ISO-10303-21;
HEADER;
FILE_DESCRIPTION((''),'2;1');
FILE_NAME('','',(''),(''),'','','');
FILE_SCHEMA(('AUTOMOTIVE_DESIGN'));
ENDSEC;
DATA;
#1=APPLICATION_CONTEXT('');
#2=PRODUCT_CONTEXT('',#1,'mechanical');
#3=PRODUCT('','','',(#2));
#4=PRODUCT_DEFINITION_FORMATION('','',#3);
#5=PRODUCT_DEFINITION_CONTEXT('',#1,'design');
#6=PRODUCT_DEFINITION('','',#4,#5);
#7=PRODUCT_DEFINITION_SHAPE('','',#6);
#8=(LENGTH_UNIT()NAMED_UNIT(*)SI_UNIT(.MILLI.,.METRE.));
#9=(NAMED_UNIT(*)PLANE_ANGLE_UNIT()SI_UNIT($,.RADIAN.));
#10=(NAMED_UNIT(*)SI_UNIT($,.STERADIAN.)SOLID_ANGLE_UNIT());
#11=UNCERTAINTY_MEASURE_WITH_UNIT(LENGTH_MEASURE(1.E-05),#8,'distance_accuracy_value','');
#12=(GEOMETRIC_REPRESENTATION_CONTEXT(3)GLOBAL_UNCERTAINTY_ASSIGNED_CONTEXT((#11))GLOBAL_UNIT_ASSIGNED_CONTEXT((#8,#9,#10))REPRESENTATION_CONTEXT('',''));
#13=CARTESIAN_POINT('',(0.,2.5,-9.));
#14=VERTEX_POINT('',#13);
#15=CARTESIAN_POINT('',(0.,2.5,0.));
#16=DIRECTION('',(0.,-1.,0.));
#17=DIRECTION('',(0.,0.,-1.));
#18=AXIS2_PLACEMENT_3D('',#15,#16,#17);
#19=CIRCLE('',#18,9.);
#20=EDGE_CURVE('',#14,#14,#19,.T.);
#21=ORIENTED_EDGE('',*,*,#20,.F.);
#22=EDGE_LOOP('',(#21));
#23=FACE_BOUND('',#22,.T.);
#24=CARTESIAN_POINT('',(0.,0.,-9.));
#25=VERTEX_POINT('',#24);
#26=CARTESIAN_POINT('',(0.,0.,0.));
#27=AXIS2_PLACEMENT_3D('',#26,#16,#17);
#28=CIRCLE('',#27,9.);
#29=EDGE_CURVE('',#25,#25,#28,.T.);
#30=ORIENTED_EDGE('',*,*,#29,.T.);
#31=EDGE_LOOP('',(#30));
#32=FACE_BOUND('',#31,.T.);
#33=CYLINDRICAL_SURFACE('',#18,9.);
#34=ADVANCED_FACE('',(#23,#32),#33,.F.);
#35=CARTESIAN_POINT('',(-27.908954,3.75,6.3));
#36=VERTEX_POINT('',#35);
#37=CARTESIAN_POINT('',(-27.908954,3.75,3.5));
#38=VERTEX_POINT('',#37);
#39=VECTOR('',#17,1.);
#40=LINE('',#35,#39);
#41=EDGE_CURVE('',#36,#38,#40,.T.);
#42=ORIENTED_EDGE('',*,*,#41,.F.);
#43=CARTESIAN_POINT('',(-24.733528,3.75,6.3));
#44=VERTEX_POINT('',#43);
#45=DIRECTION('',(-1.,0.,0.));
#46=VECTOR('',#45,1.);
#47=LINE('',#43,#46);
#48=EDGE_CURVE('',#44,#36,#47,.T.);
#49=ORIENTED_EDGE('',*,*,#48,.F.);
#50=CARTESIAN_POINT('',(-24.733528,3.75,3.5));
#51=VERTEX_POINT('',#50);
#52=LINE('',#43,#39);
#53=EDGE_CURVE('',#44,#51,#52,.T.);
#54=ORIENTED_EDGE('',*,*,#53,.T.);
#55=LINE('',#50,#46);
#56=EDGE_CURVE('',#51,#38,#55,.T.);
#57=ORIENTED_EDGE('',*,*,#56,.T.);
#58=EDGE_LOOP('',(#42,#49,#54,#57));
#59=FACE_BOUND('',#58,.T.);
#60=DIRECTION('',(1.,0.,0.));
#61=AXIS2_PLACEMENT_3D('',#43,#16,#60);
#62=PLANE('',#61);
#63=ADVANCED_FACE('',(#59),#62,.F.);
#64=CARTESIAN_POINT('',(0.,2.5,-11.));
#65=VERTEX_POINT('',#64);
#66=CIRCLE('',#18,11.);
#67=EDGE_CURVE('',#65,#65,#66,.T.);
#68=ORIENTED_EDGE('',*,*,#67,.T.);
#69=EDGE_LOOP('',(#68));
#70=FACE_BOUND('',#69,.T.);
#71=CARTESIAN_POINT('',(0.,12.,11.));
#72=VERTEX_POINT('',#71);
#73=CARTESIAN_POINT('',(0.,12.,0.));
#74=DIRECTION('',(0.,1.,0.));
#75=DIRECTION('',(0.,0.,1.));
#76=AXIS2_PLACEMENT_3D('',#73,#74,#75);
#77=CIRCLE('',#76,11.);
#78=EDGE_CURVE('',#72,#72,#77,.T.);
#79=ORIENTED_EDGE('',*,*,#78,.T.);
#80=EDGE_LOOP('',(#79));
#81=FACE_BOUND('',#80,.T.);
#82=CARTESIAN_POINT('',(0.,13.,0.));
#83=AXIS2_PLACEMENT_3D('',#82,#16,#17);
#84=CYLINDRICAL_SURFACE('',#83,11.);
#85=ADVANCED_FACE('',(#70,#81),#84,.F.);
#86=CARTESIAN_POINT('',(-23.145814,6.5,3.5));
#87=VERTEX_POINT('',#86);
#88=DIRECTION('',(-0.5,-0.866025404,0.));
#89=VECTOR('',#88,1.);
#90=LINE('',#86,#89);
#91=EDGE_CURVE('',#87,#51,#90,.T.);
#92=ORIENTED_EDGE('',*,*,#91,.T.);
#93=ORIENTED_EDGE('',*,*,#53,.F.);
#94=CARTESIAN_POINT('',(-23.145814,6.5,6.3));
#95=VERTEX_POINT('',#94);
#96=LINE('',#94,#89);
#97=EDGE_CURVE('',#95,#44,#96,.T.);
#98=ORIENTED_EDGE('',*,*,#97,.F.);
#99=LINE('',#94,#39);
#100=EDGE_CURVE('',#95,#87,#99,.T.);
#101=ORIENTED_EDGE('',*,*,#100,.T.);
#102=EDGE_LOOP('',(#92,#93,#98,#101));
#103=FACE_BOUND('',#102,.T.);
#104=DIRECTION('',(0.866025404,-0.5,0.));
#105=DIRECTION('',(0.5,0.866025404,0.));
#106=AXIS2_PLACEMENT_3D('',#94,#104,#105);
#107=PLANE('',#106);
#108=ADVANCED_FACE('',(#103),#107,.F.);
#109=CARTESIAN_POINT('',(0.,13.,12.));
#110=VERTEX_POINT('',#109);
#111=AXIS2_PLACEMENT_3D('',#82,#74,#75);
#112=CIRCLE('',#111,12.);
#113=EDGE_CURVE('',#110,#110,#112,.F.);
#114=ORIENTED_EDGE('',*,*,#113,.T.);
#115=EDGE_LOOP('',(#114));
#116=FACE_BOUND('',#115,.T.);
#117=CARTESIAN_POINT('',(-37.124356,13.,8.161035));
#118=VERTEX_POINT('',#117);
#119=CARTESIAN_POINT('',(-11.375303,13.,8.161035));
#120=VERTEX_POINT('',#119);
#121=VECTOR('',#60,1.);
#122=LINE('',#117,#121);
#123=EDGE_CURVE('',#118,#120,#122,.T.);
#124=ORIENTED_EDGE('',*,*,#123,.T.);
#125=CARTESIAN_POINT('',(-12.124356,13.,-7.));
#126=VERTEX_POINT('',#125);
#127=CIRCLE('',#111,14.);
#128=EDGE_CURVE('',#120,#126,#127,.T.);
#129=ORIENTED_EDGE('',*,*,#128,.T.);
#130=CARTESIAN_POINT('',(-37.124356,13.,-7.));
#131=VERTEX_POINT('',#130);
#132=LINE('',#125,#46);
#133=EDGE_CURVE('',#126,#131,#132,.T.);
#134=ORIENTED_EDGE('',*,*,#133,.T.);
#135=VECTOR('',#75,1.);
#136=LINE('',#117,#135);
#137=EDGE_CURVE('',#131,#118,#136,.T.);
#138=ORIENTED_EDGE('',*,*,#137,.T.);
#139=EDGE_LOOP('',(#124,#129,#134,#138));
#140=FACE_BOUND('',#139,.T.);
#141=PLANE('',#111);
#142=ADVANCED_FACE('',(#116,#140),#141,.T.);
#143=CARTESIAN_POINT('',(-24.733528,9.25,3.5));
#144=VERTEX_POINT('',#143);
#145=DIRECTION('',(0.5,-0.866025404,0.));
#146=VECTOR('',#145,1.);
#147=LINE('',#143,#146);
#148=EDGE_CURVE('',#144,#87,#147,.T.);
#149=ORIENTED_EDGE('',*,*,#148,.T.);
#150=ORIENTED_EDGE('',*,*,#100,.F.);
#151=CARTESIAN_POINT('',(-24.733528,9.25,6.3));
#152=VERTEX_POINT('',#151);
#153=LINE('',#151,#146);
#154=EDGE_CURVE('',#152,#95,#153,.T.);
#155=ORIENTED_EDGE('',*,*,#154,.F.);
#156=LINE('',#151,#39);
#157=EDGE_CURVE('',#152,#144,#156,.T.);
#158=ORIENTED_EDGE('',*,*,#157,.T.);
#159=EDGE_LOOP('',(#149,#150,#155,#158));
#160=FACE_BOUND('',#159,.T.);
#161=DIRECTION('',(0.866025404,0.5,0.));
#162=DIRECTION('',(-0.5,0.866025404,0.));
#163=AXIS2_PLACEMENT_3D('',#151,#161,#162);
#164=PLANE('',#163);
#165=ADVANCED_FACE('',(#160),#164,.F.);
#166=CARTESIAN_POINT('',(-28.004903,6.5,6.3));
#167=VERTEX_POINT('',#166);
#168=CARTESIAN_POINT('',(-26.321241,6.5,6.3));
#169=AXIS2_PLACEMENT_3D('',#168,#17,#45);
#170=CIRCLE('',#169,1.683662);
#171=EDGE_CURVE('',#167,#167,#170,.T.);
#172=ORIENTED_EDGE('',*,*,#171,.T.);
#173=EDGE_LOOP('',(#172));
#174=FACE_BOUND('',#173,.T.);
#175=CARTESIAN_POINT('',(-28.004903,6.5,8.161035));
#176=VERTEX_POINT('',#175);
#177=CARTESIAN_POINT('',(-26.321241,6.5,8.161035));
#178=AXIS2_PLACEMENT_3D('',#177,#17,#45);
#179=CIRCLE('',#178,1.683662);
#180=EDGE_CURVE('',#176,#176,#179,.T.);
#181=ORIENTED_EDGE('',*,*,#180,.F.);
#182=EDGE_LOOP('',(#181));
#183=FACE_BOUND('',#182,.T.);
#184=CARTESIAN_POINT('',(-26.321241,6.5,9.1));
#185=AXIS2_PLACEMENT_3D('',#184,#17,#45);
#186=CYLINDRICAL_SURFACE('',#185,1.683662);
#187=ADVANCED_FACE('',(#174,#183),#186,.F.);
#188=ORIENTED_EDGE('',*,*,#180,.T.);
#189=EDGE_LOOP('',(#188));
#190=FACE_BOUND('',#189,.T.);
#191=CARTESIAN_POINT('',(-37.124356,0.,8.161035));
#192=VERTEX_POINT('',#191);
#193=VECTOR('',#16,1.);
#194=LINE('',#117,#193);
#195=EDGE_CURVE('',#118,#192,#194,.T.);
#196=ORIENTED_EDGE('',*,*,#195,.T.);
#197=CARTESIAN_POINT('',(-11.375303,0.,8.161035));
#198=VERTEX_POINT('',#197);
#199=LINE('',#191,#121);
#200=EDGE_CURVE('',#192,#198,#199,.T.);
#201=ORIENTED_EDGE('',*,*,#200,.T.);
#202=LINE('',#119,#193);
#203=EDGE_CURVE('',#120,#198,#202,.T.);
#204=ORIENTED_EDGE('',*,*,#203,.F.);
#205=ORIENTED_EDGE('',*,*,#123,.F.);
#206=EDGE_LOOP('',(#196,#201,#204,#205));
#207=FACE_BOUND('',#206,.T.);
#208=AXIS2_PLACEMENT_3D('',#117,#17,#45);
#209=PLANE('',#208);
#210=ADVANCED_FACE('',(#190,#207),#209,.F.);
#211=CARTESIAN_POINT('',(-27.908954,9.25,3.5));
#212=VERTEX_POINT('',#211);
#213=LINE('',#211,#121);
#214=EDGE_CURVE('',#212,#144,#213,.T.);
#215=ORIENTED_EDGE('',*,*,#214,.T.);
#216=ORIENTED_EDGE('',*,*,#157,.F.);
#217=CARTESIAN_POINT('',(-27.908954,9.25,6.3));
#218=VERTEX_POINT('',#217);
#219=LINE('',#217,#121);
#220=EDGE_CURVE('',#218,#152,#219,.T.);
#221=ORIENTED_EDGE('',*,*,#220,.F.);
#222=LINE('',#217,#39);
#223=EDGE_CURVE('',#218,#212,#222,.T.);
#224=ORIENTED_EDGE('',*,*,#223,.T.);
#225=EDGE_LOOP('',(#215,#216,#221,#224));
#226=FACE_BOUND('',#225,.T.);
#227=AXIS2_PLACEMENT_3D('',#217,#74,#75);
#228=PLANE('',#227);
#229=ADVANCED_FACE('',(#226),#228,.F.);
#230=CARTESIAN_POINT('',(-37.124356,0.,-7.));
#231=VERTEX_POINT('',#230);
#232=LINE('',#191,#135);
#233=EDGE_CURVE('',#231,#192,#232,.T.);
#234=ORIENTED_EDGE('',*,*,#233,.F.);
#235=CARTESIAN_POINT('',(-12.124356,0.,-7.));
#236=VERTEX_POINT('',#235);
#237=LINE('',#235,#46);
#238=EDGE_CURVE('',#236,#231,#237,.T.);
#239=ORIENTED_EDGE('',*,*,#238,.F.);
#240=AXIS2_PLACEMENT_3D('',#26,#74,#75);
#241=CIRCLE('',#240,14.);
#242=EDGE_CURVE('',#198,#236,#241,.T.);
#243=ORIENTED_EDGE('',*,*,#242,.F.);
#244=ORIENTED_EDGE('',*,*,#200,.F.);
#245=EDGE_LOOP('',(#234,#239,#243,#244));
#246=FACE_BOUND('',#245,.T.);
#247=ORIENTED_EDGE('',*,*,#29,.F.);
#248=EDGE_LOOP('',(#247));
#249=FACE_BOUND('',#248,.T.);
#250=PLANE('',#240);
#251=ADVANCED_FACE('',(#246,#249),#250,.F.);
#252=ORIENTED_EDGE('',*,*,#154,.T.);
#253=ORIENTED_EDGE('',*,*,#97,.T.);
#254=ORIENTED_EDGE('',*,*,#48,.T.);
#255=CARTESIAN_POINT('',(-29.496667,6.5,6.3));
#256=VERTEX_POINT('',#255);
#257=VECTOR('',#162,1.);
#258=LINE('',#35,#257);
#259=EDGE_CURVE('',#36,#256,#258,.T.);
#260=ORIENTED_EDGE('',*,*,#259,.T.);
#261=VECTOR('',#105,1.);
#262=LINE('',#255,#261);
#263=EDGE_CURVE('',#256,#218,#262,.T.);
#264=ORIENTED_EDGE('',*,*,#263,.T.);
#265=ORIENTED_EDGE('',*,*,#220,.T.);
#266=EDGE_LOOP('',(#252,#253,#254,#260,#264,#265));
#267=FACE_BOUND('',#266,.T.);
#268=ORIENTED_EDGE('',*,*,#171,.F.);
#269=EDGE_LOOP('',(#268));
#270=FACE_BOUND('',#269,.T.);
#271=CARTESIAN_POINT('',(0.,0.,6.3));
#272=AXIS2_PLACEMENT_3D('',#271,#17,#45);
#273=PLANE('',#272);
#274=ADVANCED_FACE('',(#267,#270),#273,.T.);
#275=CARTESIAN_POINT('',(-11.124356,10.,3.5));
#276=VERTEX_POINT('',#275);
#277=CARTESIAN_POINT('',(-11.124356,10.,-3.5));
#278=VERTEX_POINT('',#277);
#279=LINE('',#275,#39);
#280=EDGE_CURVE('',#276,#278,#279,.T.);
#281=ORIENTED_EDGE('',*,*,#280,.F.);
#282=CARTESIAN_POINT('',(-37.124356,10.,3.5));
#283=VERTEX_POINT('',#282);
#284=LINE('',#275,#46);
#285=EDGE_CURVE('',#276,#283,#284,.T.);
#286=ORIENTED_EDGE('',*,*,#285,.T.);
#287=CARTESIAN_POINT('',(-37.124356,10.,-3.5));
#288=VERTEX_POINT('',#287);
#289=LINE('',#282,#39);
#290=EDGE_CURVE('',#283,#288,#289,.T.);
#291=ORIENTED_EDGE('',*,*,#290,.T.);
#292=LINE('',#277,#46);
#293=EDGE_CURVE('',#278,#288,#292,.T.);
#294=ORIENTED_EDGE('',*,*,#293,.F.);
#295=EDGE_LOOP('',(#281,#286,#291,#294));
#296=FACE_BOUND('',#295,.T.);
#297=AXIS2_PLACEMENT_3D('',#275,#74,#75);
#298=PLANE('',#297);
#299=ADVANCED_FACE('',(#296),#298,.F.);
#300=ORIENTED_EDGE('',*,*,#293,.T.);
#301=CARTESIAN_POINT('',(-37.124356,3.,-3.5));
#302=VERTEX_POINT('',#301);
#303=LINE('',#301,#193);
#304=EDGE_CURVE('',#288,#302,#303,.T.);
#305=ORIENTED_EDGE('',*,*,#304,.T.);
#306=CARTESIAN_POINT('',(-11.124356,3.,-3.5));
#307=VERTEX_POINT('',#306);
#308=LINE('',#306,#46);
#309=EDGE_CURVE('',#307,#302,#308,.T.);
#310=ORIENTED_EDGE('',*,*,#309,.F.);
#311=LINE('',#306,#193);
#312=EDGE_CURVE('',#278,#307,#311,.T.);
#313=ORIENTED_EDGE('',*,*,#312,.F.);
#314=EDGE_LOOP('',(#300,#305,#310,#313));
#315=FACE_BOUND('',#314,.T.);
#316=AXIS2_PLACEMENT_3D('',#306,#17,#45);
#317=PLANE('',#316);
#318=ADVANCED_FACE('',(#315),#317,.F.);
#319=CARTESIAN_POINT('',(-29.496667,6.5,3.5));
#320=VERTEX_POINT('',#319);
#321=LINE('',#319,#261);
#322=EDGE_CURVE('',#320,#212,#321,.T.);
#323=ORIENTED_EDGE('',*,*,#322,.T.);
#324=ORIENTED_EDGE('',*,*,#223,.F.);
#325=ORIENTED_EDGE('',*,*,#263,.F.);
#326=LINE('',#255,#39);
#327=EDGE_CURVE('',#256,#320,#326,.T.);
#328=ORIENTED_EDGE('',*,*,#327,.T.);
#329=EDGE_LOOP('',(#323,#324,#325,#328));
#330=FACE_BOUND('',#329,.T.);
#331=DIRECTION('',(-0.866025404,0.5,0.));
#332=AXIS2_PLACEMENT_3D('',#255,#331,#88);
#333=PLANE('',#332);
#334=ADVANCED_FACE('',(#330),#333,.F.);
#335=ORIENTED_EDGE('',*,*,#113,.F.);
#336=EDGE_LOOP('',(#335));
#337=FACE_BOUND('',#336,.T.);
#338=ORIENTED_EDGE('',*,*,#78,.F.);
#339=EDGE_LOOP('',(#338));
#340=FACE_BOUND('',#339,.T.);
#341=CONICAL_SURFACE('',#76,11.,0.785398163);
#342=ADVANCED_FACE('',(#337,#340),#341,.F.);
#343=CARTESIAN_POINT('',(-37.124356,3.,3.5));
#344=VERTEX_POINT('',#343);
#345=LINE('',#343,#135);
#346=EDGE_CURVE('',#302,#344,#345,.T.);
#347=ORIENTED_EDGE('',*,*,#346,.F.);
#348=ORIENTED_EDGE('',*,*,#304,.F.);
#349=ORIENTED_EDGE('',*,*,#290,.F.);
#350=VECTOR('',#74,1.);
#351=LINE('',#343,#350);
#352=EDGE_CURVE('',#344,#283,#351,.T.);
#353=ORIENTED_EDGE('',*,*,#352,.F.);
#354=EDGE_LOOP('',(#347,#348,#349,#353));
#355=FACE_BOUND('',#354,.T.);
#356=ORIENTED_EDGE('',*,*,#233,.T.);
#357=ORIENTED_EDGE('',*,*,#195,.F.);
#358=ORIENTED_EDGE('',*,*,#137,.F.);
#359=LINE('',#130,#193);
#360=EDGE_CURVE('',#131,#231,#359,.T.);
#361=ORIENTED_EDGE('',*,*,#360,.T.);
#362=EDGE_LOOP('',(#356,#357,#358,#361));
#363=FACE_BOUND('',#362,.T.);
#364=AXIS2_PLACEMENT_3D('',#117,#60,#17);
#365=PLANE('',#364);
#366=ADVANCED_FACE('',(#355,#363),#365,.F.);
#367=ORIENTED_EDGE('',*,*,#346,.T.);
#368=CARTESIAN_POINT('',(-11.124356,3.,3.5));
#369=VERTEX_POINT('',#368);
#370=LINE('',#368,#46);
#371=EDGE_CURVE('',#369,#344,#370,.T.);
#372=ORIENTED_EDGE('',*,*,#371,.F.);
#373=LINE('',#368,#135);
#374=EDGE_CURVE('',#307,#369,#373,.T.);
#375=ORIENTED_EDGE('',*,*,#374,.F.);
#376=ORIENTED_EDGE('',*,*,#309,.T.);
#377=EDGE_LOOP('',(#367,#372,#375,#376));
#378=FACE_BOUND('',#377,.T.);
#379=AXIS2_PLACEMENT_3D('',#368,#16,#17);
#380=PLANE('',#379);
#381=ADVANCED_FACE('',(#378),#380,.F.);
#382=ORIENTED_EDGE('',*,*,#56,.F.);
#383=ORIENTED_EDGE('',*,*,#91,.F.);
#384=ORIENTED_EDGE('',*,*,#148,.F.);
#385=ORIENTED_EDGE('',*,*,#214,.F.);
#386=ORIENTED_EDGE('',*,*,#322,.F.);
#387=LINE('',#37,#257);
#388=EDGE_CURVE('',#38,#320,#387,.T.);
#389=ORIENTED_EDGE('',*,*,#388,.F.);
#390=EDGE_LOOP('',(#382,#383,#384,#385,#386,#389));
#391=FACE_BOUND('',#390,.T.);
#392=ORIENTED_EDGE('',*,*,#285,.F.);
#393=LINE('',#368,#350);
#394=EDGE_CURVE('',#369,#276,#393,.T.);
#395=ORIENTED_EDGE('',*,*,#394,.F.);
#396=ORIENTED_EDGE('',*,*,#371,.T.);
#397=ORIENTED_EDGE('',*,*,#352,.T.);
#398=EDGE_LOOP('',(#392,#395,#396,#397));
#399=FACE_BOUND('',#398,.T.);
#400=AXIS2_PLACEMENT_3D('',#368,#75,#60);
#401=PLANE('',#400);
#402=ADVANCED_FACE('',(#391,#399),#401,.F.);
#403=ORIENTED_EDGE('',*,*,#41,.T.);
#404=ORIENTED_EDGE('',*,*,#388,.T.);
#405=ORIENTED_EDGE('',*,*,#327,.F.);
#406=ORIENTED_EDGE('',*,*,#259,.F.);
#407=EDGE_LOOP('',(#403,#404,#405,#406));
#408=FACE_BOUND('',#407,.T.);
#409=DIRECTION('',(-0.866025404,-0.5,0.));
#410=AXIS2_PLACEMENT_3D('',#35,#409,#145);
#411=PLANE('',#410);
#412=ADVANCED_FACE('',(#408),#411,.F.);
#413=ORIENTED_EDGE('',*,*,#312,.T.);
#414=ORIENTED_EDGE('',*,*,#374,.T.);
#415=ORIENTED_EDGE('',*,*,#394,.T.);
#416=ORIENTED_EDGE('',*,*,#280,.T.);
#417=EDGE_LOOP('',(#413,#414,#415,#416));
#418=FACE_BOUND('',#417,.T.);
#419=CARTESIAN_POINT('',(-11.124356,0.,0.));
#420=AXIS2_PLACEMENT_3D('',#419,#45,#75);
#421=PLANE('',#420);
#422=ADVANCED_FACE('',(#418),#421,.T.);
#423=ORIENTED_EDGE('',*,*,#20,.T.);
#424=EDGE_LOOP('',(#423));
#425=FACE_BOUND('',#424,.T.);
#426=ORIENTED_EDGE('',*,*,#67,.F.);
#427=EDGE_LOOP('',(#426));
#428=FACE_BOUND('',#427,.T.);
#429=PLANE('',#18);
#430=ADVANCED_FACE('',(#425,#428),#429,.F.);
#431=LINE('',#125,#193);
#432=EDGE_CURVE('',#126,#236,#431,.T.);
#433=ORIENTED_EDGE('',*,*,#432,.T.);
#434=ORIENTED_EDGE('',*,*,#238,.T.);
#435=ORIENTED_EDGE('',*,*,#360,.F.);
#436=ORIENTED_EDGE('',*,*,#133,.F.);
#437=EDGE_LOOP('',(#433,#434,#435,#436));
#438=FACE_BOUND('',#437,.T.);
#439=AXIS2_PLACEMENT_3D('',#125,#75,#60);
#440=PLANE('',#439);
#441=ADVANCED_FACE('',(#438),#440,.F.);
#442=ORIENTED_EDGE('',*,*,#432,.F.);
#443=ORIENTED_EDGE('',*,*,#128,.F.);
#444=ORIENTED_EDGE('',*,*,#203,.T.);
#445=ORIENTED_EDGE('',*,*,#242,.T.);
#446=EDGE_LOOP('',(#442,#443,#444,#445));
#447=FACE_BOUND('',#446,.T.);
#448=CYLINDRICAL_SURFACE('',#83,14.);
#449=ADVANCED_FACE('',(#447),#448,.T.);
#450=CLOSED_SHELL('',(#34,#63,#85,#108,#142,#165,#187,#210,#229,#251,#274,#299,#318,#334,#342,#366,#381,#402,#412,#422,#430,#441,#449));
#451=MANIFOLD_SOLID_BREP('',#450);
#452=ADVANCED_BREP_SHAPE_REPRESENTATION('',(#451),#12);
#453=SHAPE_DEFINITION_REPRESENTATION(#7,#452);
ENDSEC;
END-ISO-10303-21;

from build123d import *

# Parameters (mm, degrees)
ESBO_O2_R                = 11
RESSALTO_EXTRUS_O1_DEPTH = 13
ESBO_O3_W                = 7
ESBO_O3_H                = 7
CORTE_EXTRUS_O1_DEPTH    = 26
CORTE_EXTRUS_O2_DEPTH    = 2.8
ESBO_O10_R               = 1.683661958
CORTE_EXTRUS_O3_DEPTH    = 2.8
ESBO_O11_R               = 11
ESBO_O11_R_2             = 9
RESSALTO_EXTRUS_O2_DEPTH = 2.5
CHANFRO1_SIZE            = 1


with BuildPart() as part:
    # Esboço2 → Ressalto-extrusão1 (new body)
    with BuildSketch(Plane(origin=(0, 0, 0), x_dir=(1, 0, 0), z_dir=(0, 1, 0))):
        with BuildLine():
            Line((-12.124355653, 7), (-37.124355653, 7))
            Line((-37.124355653, 7), (-37.124355653, -8.161034979))
            Line((-37.124355653, -8.161034979), (-11.375302548, -8.161034979))
            ThreePointArc((-11.375302548, -8.161034979), (13.982944229, 0.690847808), (-12.124355653, 7))
        make_face()
        Circle(ESBO_O2_R, mode=Mode.SUBTRACT)
    extrude(amount=RESSALTO_EXTRUS_O1_DEPTH)

    # Esboço3 → Corte-extrusão1 (cut)
    with BuildSketch(Plane.ZY.offset(37.124355653)):
        with Locations((0, 6.5)):
            Rectangle(ESBO_O3_W, ESBO_O3_H)
    extrude(amount=-CORTE_EXTRUS_O1_DEPTH, mode=Mode.SUBTRACT)

    # Esboço7 → Corte-extrusão2 (cut)
    with BuildSketch(Plane(origin=(0, 0, 3.5), x_dir=(-1, 0, 0), z_dir=(0, 0, -1))):
        Polygon((23.145814462, 6.5), (24.733527702, 3.75), (27.908954183, 3.75), (29.496667423, 6.5), (27.908954183, 9.25), (24.733527702, 9.25), align=None)
    extrude(amount=-CORTE_EXTRUS_O2_DEPTH, mode=Mode.SUBTRACT)

    # Esboço10 → Corte-extrusão3 (cut)
    with BuildSketch(Plane(origin=(0, 0, 6.3), x_dir=(-1, 0, 0), z_dir=(0, 0, -1))):
        with Locations((26.321240942, 6.5)):
            Circle(ESBO_O10_R)
    extrude(amount=-CORTE_EXTRUS_O3_DEPTH, mode=Mode.SUBTRACT)

    # Esboço11 → Ressalto-extrusão2 (add)
    with BuildSketch(Plane.XZ):
        Circle(ESBO_O11_R)
        Circle(ESBO_O11_R_2, mode=Mode.SUBTRACT)
    extrude(amount=-RESSALTO_EXTRUS_O2_DEPTH)

    # Chanfro1
    chanfro1_edges = [part.edges().sort_by_distance(p)[0] for p in [
        (-11, 13, 0),
    ]]
    chamfer(chanfro1_edges, length=CHANFRO1_SIZE)


solid = part.part
